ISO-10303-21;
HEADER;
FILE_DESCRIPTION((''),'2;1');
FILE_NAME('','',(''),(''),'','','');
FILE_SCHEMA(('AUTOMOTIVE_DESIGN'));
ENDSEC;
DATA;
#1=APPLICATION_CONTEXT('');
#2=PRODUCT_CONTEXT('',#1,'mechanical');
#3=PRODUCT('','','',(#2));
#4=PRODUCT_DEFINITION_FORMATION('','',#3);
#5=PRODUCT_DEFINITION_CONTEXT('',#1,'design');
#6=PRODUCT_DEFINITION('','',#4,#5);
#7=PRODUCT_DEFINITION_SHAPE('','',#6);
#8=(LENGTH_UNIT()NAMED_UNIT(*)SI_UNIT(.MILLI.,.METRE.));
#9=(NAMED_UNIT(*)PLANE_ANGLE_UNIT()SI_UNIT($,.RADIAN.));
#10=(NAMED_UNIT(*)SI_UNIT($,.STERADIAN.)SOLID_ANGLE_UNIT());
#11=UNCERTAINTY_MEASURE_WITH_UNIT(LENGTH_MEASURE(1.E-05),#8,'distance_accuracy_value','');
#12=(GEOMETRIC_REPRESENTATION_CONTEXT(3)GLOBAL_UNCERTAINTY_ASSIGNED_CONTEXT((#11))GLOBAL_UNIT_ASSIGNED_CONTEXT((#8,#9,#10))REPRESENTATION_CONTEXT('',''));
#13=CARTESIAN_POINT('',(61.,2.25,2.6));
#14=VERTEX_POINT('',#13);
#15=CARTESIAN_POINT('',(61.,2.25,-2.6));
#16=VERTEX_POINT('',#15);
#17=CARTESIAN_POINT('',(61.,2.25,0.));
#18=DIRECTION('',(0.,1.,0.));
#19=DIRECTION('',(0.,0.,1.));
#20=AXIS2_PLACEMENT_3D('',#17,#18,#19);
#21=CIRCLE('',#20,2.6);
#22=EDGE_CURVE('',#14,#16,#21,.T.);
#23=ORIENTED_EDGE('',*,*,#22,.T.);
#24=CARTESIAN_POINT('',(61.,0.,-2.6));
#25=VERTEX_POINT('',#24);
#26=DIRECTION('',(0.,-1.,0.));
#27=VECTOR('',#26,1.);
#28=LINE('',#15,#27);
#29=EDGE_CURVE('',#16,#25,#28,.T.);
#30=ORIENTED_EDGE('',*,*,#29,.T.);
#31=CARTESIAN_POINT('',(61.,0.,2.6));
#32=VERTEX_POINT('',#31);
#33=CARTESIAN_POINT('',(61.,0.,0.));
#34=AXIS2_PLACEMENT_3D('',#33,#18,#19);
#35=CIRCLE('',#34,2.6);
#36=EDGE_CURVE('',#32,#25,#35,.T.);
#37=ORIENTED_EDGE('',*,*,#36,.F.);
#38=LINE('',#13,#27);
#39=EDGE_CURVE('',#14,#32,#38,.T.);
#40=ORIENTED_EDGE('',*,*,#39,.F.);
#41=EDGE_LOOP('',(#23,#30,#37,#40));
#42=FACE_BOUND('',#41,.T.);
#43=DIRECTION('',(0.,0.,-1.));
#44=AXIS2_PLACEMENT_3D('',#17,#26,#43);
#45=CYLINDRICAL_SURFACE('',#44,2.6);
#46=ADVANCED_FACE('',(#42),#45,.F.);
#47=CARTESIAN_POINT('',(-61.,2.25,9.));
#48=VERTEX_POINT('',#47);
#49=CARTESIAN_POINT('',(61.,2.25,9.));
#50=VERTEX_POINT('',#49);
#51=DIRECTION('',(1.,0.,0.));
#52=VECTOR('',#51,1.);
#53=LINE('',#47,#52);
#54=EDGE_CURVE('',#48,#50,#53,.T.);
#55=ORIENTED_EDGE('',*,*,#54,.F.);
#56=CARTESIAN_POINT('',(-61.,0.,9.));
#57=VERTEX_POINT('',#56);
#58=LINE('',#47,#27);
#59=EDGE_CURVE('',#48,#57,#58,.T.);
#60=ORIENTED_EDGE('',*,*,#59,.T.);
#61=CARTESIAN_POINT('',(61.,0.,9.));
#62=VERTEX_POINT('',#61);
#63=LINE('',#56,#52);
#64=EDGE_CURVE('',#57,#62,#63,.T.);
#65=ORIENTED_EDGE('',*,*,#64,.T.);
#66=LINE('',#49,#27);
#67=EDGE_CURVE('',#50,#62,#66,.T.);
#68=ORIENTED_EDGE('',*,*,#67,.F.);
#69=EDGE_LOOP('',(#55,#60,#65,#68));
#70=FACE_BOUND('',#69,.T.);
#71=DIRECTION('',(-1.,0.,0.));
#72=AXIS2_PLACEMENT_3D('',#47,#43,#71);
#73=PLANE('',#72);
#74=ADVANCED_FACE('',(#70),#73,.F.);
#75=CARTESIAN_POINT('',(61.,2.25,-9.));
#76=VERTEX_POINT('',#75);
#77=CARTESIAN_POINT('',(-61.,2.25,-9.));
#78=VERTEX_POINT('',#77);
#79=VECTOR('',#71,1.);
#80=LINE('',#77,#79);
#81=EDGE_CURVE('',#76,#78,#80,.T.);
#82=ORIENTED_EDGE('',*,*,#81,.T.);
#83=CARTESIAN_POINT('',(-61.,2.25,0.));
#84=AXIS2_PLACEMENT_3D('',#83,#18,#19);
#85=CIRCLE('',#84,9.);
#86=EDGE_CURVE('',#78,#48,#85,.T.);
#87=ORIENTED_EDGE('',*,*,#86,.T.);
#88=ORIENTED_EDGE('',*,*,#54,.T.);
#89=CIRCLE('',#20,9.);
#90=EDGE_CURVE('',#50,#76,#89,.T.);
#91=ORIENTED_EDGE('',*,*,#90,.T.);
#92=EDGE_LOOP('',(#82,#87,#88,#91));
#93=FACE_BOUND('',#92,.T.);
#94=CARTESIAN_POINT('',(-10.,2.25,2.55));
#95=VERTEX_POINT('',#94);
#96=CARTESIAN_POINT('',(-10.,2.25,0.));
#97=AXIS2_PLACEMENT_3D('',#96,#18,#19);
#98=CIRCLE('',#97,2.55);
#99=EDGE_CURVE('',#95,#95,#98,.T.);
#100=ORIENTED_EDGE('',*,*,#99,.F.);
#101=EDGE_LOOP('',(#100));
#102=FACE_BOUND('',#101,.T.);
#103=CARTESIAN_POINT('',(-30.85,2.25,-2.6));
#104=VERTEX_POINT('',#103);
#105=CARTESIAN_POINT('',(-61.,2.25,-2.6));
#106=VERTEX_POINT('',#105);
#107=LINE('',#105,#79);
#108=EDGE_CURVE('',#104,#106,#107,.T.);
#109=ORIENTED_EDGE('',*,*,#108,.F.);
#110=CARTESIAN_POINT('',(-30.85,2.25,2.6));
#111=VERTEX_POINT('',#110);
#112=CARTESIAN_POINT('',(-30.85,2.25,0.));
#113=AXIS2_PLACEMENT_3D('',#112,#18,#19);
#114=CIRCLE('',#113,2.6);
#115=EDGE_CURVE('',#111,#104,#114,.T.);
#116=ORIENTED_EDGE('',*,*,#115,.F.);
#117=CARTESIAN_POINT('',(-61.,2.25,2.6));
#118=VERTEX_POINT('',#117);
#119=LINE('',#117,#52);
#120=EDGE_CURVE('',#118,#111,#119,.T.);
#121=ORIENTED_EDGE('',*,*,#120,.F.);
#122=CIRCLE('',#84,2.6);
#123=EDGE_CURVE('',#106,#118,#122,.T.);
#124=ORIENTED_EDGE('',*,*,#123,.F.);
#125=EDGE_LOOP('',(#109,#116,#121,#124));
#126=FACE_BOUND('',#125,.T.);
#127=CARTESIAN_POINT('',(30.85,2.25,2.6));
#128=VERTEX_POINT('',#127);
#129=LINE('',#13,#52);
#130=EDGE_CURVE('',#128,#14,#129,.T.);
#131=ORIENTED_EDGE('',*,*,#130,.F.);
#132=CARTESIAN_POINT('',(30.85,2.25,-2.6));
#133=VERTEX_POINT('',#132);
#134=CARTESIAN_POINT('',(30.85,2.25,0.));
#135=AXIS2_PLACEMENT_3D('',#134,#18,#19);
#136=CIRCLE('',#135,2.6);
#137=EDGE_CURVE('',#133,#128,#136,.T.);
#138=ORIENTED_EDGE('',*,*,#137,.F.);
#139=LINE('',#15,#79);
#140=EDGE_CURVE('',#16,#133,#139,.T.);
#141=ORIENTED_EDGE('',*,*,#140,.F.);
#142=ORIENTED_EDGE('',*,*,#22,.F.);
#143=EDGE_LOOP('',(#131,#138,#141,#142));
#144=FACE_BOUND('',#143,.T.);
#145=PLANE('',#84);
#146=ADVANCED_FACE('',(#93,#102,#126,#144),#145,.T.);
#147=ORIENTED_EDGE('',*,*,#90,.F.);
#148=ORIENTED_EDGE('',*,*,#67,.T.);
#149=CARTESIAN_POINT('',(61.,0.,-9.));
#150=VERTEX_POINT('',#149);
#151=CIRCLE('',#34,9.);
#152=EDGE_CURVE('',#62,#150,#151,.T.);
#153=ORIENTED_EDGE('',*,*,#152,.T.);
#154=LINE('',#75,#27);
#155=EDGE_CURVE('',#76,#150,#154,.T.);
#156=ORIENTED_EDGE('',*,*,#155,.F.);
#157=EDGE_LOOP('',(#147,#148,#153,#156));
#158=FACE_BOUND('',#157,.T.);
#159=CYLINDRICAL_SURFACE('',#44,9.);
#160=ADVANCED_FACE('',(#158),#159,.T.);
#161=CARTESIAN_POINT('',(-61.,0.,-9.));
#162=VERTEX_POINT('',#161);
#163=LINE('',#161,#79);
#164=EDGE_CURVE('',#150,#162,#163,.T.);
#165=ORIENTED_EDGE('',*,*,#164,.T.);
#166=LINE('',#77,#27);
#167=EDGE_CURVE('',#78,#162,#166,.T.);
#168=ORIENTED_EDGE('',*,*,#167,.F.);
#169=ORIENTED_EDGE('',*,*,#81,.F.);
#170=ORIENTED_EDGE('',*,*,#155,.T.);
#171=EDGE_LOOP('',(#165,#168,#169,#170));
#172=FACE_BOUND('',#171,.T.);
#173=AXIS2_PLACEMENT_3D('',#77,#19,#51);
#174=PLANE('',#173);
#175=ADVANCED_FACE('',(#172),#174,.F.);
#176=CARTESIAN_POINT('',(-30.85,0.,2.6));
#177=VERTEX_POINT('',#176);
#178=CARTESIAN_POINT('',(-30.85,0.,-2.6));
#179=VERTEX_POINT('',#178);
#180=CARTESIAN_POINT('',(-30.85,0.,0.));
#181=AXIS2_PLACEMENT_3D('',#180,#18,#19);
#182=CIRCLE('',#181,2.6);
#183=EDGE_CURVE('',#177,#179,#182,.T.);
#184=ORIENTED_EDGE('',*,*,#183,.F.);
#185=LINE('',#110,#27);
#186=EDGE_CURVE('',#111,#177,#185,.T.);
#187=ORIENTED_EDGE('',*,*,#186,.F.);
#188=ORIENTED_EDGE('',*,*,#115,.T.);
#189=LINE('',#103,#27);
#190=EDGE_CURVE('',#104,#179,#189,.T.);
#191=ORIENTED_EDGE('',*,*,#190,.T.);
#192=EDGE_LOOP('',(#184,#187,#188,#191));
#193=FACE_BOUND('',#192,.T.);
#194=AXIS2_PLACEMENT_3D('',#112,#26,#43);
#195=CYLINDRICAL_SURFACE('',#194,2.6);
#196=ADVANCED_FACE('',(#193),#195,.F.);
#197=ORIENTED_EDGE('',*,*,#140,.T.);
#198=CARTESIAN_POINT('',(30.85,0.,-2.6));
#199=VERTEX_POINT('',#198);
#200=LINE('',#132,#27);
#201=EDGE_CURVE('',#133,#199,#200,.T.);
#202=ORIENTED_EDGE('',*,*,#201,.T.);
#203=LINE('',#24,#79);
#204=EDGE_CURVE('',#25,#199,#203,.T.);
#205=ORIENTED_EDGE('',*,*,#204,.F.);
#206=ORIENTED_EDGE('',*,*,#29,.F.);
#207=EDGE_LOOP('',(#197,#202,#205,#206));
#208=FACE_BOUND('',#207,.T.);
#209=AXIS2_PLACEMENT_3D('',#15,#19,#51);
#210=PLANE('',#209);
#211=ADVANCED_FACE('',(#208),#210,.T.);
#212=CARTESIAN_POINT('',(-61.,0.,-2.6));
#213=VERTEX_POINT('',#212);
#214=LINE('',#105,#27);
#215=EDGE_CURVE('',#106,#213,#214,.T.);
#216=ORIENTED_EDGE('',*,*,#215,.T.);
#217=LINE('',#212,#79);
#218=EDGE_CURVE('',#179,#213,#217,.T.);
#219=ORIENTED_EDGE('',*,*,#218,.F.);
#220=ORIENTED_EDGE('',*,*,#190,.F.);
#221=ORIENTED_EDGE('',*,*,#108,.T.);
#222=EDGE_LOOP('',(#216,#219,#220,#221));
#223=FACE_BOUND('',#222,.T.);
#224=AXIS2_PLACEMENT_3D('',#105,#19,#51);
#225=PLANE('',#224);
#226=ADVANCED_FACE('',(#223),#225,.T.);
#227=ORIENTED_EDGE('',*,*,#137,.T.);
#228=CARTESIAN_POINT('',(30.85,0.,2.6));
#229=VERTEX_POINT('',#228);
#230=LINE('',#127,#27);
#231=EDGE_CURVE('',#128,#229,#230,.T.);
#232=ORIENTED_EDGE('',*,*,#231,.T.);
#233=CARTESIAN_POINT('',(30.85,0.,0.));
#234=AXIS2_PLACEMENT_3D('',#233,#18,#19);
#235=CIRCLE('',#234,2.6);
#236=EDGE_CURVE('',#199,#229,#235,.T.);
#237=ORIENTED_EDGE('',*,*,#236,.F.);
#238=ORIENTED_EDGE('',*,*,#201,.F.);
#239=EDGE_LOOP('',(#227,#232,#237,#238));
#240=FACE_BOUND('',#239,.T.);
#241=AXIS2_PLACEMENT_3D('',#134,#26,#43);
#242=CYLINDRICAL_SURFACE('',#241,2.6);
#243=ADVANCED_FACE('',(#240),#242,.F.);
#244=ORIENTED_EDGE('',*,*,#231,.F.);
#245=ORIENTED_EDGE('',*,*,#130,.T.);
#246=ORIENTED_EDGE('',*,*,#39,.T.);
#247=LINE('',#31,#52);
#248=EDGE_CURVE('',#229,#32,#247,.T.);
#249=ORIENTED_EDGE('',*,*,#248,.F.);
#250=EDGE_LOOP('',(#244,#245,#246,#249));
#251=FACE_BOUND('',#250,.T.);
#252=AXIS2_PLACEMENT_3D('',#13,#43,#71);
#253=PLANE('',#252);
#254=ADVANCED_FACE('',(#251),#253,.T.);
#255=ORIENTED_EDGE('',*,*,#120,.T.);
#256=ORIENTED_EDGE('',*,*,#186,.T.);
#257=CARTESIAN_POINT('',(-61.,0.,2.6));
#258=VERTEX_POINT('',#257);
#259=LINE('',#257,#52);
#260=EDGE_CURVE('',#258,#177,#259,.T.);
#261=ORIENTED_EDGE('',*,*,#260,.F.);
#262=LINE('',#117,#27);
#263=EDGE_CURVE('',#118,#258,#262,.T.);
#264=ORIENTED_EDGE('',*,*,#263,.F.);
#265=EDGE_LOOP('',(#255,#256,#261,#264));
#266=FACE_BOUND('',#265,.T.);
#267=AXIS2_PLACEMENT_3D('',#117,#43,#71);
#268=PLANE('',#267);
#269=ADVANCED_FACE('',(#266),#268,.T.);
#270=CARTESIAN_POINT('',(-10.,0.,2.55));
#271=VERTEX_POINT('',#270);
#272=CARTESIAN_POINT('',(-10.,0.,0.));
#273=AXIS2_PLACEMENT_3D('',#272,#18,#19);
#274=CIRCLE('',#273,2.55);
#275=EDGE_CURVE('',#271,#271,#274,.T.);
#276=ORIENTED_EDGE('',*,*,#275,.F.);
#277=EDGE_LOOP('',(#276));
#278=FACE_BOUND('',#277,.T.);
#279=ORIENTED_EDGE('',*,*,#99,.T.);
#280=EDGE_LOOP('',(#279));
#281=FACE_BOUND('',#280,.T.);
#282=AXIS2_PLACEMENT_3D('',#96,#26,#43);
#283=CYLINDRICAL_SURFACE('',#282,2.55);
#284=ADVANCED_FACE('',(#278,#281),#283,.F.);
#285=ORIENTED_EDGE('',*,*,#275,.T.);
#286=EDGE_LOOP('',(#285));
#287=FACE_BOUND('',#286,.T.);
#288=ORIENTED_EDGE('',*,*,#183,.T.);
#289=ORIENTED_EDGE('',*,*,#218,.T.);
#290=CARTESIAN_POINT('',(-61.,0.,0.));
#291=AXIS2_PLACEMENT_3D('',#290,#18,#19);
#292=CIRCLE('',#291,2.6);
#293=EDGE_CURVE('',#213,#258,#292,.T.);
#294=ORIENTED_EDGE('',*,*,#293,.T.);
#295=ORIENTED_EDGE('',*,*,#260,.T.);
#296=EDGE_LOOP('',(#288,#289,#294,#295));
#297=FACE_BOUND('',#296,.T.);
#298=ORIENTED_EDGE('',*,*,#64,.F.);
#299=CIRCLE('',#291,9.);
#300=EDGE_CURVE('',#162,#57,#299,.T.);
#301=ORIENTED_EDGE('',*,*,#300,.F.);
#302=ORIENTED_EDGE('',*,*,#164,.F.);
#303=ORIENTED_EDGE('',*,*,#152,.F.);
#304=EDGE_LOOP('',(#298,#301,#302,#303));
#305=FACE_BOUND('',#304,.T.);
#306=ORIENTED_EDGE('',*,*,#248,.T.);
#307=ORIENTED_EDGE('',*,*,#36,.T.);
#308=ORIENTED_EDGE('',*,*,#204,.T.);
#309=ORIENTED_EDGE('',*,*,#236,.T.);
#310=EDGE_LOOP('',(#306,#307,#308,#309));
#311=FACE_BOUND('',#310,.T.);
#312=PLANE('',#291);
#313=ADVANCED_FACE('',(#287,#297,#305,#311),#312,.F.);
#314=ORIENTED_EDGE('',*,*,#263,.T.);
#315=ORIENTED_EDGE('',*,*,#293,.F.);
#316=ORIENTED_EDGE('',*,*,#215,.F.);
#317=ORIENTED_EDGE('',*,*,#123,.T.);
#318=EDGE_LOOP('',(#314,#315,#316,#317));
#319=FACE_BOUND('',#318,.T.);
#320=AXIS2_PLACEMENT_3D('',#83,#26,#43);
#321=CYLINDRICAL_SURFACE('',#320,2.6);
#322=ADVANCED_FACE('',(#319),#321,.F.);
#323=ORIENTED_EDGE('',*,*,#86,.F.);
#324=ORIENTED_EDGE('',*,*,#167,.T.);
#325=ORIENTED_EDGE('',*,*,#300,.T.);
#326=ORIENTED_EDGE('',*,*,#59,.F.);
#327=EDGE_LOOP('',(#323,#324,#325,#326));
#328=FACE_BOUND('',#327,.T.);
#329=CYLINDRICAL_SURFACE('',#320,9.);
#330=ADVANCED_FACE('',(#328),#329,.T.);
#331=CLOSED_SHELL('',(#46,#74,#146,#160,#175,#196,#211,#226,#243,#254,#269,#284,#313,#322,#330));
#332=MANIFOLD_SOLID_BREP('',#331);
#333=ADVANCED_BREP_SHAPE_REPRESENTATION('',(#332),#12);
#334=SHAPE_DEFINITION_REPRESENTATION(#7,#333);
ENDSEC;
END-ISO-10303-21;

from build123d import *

# Parameters (mm, degrees)
SKETCH1_R           = 2.55
BOSS_EXTRUDE1_DEPTH = 2.25


with BuildPart() as part:
    # Sketch1 → Boss-Extrude1 (new body)
    with BuildSketch(Plane(origin=(0, 0, 0), x_dir=(1, 0, 0), z_dir=(0, 1, 0))):
        with BuildLine():
            Line((-61, 9), (61, 9))
            ThreePointArc((61, 9), (70, 0), (61, -9))
            Line((61, -9), (-61, -9))
            ThreePointArc((-61, -9), (-70, 0), (-61, 9))
        make_face()
        with Locations(Location((-10, 0, 0), (0, 0, 270))):
            Circle(SKETCH1_R, mode=Mode.SUBTRACT)
        with BuildLine():
            Line((-61, 2.6), (-30.85, 2.6))
            ThreePointArc((-30.85, 2.6), (-28.25, 0), (-30.85, -2.6))
            Line((-30.85, -2.6), (-61, -2.6))
            ThreePointArc((-61, -2.6), (-63.6, 0), (-61, 2.6))
        make_face(mode=Mode.SUBTRACT)
        with BuildLine():
            Line((61, -2.6), (30.85, -2.6))
            ThreePointArc((30.85, -2.6), (28.25, 0), (30.85, 2.6))
            Line((30.85, 2.6), (61, 2.6))
            ThreePointArc((61, 2.6), (63.6, 0), (61, -2.6))
        make_face(mode=Mode.SUBTRACT)
    extrude(amount=BOSS_EXTRUDE1_DEPTH)


solid = part.part
